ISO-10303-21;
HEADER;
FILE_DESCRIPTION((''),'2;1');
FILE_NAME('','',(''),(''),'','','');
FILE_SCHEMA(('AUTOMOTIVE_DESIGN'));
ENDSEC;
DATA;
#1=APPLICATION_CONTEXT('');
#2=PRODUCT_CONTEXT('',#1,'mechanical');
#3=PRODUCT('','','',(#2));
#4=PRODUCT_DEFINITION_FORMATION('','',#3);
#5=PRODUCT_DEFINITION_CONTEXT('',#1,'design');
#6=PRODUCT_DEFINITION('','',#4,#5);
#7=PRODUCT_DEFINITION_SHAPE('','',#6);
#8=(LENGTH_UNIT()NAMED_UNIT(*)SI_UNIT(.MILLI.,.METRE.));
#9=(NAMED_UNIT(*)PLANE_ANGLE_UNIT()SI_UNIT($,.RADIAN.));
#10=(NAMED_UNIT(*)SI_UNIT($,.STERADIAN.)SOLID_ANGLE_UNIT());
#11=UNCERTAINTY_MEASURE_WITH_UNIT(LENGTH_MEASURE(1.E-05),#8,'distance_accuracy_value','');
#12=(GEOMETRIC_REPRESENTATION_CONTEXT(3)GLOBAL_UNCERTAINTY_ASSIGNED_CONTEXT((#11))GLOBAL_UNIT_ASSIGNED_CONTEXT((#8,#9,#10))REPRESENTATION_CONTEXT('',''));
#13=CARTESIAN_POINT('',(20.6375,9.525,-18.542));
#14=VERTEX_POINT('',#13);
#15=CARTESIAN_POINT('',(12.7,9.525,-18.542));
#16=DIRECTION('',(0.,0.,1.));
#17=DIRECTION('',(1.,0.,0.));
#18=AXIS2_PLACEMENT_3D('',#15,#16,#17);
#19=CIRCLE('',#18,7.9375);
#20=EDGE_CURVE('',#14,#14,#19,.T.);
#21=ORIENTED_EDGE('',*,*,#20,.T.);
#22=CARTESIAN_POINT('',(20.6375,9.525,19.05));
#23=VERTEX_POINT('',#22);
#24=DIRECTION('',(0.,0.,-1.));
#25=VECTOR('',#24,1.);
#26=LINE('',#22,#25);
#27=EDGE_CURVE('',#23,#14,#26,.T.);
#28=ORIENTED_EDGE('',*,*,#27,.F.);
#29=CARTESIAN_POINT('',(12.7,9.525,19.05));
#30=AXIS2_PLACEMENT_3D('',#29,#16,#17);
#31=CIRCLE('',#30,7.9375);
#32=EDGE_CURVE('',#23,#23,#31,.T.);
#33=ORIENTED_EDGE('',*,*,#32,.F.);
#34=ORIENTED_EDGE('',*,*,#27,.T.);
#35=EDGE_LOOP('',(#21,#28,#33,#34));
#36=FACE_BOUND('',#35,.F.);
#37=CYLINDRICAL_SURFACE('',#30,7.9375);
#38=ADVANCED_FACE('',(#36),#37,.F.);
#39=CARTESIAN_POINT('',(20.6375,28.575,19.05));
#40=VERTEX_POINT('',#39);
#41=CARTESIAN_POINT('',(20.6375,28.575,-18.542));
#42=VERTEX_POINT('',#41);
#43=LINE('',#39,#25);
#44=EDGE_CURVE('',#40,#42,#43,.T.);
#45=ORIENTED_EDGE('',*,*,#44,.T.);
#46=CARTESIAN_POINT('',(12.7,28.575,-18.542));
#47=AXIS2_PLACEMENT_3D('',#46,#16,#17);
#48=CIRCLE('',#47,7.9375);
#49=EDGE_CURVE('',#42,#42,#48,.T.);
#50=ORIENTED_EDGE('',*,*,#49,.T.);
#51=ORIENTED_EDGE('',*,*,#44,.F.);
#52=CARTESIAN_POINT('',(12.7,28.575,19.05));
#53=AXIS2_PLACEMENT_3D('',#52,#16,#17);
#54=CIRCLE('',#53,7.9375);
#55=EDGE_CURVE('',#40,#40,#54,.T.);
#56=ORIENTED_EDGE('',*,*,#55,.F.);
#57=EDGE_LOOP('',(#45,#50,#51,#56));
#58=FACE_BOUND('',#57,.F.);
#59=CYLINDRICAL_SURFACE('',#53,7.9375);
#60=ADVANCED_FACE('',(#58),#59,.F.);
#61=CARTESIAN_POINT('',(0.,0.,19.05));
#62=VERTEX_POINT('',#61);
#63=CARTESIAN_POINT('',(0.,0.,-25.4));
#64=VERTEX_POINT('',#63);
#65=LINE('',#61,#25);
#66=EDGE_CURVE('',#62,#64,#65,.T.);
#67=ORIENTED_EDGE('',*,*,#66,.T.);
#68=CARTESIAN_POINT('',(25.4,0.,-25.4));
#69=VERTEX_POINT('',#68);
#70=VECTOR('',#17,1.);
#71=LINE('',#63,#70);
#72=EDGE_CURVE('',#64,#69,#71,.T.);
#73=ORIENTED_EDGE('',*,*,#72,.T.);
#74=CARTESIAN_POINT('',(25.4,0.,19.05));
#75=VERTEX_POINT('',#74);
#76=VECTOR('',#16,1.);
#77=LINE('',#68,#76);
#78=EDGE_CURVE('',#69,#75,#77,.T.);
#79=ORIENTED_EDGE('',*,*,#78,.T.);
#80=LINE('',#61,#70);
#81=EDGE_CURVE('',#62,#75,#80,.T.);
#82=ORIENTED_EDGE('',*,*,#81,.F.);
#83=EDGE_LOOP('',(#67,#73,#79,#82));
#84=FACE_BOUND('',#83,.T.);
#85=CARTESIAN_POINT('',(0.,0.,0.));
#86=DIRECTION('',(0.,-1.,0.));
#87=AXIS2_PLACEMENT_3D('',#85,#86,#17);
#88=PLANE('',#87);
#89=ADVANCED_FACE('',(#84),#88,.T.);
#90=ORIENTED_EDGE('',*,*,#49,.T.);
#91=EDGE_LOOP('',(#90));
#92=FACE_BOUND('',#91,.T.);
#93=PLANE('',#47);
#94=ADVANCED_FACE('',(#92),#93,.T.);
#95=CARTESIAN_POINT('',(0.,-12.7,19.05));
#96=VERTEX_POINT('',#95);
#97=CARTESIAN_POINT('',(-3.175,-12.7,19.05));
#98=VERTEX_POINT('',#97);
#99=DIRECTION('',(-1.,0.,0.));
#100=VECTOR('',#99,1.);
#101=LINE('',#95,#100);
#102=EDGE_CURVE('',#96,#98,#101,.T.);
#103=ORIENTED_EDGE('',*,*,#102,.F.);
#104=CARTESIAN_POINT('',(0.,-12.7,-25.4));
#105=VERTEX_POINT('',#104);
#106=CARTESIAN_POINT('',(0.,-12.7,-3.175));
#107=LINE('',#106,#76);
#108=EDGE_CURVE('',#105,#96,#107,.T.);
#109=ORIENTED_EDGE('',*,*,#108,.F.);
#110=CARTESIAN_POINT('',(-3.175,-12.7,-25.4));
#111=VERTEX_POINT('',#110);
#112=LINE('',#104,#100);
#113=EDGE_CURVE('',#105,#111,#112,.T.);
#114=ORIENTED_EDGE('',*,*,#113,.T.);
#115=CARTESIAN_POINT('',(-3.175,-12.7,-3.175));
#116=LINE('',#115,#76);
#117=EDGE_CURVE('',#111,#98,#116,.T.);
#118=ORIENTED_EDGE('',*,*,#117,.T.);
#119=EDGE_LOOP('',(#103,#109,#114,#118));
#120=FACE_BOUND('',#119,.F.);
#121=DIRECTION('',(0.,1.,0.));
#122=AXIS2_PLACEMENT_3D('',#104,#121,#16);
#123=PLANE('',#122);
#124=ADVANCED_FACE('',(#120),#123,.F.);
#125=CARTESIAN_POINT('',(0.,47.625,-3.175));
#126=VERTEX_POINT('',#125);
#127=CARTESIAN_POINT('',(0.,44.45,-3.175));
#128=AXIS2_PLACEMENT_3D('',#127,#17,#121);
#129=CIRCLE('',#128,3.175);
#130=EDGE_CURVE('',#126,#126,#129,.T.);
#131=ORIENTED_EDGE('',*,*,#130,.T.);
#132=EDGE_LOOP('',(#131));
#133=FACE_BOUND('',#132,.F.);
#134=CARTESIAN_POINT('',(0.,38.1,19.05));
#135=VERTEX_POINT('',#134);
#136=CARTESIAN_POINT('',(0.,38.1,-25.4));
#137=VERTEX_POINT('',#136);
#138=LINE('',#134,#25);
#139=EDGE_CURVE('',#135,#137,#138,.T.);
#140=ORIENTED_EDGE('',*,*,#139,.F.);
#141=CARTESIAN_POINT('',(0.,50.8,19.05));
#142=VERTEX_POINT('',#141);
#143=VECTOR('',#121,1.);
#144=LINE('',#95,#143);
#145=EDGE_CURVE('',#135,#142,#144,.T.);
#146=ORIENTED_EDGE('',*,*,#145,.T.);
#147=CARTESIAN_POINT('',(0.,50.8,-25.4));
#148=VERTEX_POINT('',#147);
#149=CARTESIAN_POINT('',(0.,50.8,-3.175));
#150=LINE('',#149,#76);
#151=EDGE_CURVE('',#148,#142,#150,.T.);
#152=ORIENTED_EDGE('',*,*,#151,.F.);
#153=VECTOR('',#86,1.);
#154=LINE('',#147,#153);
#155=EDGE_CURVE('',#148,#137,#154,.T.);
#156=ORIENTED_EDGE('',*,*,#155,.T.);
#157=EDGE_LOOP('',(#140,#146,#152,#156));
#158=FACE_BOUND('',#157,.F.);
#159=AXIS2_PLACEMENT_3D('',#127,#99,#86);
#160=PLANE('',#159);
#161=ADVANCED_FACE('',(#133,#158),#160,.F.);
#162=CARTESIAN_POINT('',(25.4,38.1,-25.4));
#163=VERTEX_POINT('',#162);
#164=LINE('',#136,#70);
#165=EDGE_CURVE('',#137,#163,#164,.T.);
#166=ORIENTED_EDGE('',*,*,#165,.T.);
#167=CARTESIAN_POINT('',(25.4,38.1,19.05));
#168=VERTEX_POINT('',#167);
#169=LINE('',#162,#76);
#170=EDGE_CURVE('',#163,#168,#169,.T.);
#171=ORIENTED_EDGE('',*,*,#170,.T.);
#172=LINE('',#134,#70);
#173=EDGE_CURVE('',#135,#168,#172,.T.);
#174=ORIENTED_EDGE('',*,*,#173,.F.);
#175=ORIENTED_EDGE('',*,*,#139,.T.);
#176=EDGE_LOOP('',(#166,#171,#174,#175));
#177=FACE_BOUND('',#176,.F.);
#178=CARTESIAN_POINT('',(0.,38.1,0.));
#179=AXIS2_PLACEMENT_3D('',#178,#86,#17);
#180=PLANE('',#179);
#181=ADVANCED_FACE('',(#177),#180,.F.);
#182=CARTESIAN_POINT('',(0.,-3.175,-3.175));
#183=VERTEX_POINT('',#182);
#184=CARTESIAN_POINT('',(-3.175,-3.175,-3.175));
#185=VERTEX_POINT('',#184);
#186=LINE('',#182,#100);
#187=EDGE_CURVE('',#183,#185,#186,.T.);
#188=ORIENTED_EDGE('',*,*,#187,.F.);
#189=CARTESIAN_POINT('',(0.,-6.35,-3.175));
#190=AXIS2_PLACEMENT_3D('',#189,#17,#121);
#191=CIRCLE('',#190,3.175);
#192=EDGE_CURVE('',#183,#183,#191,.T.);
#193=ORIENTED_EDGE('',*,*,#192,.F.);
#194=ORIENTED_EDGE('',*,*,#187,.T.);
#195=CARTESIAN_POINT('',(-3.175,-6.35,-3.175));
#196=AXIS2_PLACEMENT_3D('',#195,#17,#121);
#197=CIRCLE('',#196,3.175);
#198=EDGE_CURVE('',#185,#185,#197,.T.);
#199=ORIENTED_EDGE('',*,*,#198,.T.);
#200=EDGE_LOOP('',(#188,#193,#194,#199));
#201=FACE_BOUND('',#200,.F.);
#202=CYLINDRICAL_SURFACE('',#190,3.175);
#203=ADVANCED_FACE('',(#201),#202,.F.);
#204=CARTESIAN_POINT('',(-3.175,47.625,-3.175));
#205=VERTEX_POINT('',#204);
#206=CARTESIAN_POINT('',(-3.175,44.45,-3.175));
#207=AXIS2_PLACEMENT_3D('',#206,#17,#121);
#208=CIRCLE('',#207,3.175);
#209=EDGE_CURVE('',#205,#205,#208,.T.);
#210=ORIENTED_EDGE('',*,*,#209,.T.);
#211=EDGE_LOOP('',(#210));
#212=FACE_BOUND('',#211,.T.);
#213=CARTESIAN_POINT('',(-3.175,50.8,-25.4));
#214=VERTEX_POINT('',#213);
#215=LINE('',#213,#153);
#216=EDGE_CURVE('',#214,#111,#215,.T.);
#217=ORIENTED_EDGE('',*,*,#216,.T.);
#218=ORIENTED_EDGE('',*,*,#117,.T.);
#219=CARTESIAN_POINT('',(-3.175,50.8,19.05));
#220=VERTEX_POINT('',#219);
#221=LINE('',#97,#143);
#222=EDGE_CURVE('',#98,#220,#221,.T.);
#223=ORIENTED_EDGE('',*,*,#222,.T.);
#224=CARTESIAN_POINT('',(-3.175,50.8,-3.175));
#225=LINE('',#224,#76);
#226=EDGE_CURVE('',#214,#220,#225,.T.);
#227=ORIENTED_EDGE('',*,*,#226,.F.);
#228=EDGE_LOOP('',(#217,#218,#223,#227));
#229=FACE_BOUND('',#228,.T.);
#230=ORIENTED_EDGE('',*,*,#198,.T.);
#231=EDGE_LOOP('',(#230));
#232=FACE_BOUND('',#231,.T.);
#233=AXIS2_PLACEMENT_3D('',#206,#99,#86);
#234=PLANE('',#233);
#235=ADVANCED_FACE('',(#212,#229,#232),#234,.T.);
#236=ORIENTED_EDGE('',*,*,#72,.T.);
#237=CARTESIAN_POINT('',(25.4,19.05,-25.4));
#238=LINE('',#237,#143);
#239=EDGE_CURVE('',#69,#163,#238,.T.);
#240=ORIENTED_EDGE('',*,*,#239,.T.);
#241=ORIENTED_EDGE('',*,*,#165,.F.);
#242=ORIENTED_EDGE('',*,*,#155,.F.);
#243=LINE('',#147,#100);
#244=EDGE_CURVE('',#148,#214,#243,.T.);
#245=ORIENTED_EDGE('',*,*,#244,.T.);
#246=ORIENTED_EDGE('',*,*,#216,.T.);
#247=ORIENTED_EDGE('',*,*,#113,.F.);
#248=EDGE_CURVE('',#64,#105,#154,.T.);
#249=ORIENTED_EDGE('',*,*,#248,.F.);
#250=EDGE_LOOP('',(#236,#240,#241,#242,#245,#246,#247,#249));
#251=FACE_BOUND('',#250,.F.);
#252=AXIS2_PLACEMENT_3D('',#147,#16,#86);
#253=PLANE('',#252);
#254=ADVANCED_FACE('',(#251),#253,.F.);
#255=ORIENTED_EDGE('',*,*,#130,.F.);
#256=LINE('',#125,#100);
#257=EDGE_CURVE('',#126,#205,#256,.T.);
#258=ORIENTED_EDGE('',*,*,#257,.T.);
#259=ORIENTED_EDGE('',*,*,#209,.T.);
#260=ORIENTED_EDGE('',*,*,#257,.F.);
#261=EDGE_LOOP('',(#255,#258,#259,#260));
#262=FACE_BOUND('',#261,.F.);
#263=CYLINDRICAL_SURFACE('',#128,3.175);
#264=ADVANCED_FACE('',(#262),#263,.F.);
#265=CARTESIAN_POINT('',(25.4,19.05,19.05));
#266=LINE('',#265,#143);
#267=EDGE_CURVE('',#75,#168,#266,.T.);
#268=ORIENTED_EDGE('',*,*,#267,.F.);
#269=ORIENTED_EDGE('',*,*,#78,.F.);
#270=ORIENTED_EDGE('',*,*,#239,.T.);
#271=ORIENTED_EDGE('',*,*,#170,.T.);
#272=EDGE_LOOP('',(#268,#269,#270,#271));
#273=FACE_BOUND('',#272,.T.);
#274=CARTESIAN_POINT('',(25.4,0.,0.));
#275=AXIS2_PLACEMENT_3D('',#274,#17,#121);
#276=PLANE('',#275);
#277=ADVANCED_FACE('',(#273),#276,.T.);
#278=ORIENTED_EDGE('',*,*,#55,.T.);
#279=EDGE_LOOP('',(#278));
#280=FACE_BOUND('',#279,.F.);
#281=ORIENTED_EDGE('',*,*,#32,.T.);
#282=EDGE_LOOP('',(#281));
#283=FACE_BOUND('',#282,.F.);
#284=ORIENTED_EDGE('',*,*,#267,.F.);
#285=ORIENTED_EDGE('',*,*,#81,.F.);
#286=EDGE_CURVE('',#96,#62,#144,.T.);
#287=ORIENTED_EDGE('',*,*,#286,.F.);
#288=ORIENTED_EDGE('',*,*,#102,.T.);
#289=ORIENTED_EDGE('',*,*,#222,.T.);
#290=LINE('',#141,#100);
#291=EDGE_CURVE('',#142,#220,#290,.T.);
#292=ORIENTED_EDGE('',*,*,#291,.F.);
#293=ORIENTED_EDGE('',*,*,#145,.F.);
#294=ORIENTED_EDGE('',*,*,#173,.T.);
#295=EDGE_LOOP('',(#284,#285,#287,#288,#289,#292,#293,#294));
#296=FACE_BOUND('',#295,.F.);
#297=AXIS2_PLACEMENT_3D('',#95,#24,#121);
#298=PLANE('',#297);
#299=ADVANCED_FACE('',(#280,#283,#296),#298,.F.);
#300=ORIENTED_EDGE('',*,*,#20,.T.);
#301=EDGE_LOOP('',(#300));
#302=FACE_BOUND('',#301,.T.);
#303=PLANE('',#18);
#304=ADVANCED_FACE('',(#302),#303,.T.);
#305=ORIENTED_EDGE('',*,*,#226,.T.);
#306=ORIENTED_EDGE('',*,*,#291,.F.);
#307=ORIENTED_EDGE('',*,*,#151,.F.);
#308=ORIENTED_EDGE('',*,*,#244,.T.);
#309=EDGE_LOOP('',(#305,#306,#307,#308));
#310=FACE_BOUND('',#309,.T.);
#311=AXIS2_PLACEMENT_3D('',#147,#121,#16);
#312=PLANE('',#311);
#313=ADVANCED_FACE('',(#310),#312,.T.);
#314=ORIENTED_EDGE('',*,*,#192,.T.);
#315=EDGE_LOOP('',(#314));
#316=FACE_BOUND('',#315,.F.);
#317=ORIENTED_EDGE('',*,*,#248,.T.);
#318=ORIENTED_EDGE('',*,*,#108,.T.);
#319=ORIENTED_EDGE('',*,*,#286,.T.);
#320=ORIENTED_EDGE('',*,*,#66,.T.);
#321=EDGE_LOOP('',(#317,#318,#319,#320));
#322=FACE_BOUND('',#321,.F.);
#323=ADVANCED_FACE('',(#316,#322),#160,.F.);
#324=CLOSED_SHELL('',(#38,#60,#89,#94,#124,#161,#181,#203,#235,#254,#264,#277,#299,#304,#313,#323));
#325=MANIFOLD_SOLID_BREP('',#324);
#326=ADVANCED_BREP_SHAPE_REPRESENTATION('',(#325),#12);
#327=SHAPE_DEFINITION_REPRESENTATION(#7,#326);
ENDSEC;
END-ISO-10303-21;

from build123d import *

# Parameters (mm, degrees)
F0_W     = 38.1
F0_H     = 19.05
F1_DEPTH = 25.4
F3_DEPTH = 25.4
F2_R     = 7.9375
F4_DEPTH = 37.592
F5_W     = 12.7
F5_H     = 44.45
F5_W_2   = 38.1
F6_DEPTH = 3.175
F8_R     = 3.175
F7_R     = 3.175
F9_DEPTH = 25.4


with BuildPart() as f1:
    # F0 (on Right) → F1 (new body)
    with BuildSketch(Plane.YZ):
        with Locations((19.05, 9.525)):
            Rectangle(F0_W, F0_H)
    extrude(amount=F1_DEPTH)

    # F3 (add): a face of the model
    f3_faces = [f1.faces().sort_by_distance(p)[0] for p in [
        (12.7, 19.05, 0),
    ]]
    extrude(f3_faces, amount=F3_DEPTH)

    # F2 (on face) → F4 (cut)
    with BuildSketch(Plane.XY.offset(19.05)):
        with Locations((12.7, 28.575)):
            Circle(F2_R)
        with Locations((12.7, 9.525)):
            Circle(F2_R)
    extrude(amount=-F4_DEPTH, mode=Mode.SUBTRACT)

    # F5 (on face) → F6 (join)
    with BuildSketch(Plane(origin=(0, 0, 0), x_dir=(0, -1, 0), z_dir=(-1, 0, 0))):
        with Locations((-44.45, -3.175)):
            Rectangle(F5_W, F5_H)
        with Locations((-19.05, -3.175)):
            Rectangle(F5_W_2, F5_H)
        with Locations((6.35, -3.175)):
            Rectangle(F5_W, F5_H)
    extrude(amount=F6_DEPTH)

    # F8 (on face) + F7 (on face) → F9 (cut)
    with BuildSketch(Plane.YZ):
        with Locations((-6.35, -3.175)):
            Circle(F8_R)
    with BuildSketch(Plane.YZ):
        with Locations((44.45, -3.175)):
            Circle(F7_R)
    extrude(amount=-F9_DEPTH, mode=Mode.SUBTRACT)


solid = f1.part
